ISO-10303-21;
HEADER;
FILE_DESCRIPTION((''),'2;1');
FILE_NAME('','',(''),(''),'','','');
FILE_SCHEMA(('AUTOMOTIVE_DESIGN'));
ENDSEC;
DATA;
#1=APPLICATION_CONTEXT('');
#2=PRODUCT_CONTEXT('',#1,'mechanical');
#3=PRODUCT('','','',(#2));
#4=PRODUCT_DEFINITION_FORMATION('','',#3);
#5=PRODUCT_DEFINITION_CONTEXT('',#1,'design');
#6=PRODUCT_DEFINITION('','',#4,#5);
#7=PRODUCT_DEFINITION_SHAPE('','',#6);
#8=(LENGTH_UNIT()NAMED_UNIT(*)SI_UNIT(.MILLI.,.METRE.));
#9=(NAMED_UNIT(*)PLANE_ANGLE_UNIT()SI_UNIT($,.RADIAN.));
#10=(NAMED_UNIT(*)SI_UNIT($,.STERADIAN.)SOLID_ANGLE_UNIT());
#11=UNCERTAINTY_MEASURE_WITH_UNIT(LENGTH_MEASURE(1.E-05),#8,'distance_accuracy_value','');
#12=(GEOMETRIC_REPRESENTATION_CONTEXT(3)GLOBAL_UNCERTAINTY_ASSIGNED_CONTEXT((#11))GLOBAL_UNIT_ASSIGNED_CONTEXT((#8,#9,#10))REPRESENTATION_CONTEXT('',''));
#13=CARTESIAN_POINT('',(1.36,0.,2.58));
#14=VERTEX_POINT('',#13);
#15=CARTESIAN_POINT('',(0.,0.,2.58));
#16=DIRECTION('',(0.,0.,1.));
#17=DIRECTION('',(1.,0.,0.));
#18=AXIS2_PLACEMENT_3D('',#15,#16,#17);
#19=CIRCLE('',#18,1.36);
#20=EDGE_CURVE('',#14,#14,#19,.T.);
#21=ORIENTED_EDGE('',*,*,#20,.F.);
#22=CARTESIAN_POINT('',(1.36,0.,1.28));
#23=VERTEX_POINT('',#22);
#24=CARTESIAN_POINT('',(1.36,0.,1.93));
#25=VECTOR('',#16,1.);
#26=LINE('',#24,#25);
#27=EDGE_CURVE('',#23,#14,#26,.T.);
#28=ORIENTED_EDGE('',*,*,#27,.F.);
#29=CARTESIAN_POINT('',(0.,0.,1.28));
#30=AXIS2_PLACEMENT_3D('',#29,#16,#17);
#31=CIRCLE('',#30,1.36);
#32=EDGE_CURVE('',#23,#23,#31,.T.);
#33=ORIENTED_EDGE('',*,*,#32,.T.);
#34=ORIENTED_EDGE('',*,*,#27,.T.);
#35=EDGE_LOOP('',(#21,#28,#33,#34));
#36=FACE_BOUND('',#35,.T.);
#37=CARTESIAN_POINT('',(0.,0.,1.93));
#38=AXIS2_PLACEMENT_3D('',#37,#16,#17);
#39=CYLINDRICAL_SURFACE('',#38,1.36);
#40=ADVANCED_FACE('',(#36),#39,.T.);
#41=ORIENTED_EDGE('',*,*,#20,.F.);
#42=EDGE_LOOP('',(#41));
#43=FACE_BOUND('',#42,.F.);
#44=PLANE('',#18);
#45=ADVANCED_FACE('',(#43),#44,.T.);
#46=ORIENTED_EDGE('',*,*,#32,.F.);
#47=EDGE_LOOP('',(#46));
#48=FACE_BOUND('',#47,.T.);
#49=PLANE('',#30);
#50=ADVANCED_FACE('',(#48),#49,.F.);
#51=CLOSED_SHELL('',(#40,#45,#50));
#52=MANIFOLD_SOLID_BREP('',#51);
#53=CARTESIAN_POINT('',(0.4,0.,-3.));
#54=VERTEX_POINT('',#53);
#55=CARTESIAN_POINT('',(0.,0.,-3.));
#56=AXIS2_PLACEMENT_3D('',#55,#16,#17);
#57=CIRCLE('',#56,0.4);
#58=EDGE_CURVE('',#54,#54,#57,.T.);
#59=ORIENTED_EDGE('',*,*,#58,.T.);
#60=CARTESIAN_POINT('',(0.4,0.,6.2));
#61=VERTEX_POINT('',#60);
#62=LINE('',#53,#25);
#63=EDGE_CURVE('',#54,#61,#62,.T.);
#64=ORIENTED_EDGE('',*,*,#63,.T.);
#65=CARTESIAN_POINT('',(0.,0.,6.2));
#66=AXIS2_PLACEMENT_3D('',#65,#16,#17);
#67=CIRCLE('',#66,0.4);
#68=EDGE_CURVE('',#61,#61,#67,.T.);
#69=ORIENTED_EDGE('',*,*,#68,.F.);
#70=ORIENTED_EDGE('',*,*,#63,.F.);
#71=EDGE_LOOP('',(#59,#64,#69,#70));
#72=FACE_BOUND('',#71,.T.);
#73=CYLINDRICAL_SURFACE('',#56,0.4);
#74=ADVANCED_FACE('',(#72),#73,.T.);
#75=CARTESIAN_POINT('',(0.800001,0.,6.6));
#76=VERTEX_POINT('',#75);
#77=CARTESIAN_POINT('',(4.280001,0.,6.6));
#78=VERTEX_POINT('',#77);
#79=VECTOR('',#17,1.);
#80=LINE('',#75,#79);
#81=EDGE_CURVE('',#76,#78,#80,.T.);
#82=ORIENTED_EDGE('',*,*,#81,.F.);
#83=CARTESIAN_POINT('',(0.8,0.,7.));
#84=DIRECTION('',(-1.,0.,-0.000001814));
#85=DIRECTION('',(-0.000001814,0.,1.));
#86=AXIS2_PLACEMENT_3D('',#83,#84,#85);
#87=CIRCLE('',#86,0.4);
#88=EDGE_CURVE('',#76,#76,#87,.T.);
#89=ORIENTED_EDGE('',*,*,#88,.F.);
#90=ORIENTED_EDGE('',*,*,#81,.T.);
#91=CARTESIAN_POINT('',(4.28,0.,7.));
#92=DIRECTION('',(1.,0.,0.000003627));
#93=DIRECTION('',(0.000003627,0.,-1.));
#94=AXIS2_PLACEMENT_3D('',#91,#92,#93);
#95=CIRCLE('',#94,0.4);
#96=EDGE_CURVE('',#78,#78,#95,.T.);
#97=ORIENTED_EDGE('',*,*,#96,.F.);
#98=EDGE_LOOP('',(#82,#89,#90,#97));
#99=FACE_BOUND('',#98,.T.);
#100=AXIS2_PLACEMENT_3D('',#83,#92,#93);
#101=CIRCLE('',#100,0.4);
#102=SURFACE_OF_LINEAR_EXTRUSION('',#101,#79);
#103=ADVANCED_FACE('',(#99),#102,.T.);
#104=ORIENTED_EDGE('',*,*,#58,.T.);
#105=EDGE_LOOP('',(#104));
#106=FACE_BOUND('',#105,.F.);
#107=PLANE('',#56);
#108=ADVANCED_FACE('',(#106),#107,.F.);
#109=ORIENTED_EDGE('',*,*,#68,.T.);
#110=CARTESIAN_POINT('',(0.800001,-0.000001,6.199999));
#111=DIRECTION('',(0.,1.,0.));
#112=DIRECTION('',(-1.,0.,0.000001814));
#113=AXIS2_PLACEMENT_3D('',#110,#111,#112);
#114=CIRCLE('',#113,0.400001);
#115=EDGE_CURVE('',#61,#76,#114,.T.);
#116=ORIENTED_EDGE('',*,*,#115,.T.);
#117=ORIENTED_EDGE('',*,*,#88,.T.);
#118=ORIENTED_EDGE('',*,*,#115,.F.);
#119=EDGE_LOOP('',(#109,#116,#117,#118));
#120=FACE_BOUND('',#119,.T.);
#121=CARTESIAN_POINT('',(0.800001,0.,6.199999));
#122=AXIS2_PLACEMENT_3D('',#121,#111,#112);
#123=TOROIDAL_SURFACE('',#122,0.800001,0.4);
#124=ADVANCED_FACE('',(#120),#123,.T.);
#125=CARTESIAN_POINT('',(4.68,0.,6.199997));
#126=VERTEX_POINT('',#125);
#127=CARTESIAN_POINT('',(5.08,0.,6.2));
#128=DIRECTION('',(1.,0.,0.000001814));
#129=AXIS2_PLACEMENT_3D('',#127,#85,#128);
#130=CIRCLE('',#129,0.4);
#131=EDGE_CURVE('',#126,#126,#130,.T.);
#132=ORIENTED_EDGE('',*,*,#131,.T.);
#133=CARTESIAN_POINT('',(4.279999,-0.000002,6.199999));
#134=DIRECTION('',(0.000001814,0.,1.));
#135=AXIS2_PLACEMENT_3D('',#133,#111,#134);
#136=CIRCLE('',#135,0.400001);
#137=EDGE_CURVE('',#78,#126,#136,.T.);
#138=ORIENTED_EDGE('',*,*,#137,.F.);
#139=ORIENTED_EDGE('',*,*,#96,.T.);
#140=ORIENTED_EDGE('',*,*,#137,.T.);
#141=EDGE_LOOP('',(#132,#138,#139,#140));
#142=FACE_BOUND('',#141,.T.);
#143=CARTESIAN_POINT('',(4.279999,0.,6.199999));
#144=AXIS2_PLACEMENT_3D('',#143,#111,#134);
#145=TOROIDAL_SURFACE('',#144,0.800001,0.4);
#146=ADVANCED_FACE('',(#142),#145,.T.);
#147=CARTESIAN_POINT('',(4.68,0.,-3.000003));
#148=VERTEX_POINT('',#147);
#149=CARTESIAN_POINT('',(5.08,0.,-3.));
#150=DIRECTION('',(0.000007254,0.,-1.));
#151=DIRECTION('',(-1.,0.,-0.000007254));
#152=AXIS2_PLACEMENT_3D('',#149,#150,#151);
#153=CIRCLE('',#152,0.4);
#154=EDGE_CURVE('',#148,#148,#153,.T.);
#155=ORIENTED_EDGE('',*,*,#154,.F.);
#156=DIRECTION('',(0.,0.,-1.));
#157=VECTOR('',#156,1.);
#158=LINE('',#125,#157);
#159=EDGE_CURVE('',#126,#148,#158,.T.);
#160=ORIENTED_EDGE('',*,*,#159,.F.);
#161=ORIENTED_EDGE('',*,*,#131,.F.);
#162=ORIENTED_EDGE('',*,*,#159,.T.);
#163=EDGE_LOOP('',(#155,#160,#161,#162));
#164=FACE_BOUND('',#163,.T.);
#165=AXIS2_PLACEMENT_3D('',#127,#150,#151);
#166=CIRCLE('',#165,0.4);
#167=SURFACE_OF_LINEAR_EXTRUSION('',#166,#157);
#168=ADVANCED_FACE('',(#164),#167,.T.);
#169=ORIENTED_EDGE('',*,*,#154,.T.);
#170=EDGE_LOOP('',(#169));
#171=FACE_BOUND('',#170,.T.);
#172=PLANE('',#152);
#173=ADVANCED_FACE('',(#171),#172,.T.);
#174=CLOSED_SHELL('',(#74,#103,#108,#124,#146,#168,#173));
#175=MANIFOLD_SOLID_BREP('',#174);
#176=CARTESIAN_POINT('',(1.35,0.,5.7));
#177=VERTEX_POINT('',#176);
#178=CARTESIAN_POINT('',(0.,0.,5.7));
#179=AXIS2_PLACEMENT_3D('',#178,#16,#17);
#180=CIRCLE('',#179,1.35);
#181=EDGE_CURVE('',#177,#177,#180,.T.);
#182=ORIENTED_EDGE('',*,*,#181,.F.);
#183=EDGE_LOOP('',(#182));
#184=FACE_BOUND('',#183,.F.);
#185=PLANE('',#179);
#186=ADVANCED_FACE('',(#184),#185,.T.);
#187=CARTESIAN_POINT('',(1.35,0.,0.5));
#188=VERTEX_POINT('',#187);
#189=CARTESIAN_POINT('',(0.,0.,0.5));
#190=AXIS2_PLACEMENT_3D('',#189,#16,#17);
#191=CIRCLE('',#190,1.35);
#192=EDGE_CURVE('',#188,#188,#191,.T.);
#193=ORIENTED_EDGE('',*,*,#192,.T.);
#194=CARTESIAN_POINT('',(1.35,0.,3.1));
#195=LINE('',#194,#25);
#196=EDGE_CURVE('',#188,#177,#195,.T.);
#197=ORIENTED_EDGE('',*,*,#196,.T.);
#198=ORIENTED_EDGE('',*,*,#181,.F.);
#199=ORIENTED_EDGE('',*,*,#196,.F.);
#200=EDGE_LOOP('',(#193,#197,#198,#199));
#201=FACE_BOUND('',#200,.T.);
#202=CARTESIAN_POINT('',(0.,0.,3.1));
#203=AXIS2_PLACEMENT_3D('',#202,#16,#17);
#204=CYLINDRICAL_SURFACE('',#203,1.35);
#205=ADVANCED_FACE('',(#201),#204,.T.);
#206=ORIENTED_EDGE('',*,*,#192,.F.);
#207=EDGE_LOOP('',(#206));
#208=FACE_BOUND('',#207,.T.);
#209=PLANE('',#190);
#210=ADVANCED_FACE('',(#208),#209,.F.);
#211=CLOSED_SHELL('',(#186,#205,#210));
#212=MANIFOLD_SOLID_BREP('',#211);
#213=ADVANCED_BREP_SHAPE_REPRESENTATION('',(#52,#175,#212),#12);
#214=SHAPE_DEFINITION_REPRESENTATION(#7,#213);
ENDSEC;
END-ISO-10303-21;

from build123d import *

# Parameters (mm, degrees)
SKETCH001_R = 0.4
SKETCH002_W = 1.35
SKETCH002_H = 5.2
SKETCH003_W = 1.36
SKETCH003_H = 1.3


with BuildPart() as sweep_body:
    # Sweep: sweep along a path in Sketch
    with BuildLine(Plane.XZ) as sweep_path:
        Line((0, -3), (0, 6.2))
        ThreePointArc((0, 6.2), (0.234315, 6.765685), (0.8, 7))
        Line((0.8, 7), (4.28, 7))
        ThreePointArc((4.28, 7), (4.845685, 6.765685), (5.08, 6.2))
        Line((5.08, 6.2), (5.08, -3))
    # Sketch001 → Sweep (sweep)
    with BuildSketch(Plane.XY):
        Circle(SKETCH001_R)
    sweep(path=sweep_path.line)


with BuildPart() as revolution:
    # Sketch002 → Revolution (revolve)
    with BuildSketch(Plane.XZ):
        with Locations((0.675, 3.1)):
            Rectangle(SKETCH002_W, SKETCH002_H)
    revolve(axis=Axis((0, 0, 0.5), (0, 0, 1)))


with BuildPart() as revolution001:
    # Sketch003 → Revolution001 (revolve)
    with BuildSketch(Plane.XZ):
        with Locations((0.68, 1.93)):
            Rectangle(SKETCH003_W, SKETCH003_H)
    revolve(axis=Axis((0, 0, 0), (0, 0, 1)))


solid = Compound([sweep_body.part, revolution.part, revolution001.part])
